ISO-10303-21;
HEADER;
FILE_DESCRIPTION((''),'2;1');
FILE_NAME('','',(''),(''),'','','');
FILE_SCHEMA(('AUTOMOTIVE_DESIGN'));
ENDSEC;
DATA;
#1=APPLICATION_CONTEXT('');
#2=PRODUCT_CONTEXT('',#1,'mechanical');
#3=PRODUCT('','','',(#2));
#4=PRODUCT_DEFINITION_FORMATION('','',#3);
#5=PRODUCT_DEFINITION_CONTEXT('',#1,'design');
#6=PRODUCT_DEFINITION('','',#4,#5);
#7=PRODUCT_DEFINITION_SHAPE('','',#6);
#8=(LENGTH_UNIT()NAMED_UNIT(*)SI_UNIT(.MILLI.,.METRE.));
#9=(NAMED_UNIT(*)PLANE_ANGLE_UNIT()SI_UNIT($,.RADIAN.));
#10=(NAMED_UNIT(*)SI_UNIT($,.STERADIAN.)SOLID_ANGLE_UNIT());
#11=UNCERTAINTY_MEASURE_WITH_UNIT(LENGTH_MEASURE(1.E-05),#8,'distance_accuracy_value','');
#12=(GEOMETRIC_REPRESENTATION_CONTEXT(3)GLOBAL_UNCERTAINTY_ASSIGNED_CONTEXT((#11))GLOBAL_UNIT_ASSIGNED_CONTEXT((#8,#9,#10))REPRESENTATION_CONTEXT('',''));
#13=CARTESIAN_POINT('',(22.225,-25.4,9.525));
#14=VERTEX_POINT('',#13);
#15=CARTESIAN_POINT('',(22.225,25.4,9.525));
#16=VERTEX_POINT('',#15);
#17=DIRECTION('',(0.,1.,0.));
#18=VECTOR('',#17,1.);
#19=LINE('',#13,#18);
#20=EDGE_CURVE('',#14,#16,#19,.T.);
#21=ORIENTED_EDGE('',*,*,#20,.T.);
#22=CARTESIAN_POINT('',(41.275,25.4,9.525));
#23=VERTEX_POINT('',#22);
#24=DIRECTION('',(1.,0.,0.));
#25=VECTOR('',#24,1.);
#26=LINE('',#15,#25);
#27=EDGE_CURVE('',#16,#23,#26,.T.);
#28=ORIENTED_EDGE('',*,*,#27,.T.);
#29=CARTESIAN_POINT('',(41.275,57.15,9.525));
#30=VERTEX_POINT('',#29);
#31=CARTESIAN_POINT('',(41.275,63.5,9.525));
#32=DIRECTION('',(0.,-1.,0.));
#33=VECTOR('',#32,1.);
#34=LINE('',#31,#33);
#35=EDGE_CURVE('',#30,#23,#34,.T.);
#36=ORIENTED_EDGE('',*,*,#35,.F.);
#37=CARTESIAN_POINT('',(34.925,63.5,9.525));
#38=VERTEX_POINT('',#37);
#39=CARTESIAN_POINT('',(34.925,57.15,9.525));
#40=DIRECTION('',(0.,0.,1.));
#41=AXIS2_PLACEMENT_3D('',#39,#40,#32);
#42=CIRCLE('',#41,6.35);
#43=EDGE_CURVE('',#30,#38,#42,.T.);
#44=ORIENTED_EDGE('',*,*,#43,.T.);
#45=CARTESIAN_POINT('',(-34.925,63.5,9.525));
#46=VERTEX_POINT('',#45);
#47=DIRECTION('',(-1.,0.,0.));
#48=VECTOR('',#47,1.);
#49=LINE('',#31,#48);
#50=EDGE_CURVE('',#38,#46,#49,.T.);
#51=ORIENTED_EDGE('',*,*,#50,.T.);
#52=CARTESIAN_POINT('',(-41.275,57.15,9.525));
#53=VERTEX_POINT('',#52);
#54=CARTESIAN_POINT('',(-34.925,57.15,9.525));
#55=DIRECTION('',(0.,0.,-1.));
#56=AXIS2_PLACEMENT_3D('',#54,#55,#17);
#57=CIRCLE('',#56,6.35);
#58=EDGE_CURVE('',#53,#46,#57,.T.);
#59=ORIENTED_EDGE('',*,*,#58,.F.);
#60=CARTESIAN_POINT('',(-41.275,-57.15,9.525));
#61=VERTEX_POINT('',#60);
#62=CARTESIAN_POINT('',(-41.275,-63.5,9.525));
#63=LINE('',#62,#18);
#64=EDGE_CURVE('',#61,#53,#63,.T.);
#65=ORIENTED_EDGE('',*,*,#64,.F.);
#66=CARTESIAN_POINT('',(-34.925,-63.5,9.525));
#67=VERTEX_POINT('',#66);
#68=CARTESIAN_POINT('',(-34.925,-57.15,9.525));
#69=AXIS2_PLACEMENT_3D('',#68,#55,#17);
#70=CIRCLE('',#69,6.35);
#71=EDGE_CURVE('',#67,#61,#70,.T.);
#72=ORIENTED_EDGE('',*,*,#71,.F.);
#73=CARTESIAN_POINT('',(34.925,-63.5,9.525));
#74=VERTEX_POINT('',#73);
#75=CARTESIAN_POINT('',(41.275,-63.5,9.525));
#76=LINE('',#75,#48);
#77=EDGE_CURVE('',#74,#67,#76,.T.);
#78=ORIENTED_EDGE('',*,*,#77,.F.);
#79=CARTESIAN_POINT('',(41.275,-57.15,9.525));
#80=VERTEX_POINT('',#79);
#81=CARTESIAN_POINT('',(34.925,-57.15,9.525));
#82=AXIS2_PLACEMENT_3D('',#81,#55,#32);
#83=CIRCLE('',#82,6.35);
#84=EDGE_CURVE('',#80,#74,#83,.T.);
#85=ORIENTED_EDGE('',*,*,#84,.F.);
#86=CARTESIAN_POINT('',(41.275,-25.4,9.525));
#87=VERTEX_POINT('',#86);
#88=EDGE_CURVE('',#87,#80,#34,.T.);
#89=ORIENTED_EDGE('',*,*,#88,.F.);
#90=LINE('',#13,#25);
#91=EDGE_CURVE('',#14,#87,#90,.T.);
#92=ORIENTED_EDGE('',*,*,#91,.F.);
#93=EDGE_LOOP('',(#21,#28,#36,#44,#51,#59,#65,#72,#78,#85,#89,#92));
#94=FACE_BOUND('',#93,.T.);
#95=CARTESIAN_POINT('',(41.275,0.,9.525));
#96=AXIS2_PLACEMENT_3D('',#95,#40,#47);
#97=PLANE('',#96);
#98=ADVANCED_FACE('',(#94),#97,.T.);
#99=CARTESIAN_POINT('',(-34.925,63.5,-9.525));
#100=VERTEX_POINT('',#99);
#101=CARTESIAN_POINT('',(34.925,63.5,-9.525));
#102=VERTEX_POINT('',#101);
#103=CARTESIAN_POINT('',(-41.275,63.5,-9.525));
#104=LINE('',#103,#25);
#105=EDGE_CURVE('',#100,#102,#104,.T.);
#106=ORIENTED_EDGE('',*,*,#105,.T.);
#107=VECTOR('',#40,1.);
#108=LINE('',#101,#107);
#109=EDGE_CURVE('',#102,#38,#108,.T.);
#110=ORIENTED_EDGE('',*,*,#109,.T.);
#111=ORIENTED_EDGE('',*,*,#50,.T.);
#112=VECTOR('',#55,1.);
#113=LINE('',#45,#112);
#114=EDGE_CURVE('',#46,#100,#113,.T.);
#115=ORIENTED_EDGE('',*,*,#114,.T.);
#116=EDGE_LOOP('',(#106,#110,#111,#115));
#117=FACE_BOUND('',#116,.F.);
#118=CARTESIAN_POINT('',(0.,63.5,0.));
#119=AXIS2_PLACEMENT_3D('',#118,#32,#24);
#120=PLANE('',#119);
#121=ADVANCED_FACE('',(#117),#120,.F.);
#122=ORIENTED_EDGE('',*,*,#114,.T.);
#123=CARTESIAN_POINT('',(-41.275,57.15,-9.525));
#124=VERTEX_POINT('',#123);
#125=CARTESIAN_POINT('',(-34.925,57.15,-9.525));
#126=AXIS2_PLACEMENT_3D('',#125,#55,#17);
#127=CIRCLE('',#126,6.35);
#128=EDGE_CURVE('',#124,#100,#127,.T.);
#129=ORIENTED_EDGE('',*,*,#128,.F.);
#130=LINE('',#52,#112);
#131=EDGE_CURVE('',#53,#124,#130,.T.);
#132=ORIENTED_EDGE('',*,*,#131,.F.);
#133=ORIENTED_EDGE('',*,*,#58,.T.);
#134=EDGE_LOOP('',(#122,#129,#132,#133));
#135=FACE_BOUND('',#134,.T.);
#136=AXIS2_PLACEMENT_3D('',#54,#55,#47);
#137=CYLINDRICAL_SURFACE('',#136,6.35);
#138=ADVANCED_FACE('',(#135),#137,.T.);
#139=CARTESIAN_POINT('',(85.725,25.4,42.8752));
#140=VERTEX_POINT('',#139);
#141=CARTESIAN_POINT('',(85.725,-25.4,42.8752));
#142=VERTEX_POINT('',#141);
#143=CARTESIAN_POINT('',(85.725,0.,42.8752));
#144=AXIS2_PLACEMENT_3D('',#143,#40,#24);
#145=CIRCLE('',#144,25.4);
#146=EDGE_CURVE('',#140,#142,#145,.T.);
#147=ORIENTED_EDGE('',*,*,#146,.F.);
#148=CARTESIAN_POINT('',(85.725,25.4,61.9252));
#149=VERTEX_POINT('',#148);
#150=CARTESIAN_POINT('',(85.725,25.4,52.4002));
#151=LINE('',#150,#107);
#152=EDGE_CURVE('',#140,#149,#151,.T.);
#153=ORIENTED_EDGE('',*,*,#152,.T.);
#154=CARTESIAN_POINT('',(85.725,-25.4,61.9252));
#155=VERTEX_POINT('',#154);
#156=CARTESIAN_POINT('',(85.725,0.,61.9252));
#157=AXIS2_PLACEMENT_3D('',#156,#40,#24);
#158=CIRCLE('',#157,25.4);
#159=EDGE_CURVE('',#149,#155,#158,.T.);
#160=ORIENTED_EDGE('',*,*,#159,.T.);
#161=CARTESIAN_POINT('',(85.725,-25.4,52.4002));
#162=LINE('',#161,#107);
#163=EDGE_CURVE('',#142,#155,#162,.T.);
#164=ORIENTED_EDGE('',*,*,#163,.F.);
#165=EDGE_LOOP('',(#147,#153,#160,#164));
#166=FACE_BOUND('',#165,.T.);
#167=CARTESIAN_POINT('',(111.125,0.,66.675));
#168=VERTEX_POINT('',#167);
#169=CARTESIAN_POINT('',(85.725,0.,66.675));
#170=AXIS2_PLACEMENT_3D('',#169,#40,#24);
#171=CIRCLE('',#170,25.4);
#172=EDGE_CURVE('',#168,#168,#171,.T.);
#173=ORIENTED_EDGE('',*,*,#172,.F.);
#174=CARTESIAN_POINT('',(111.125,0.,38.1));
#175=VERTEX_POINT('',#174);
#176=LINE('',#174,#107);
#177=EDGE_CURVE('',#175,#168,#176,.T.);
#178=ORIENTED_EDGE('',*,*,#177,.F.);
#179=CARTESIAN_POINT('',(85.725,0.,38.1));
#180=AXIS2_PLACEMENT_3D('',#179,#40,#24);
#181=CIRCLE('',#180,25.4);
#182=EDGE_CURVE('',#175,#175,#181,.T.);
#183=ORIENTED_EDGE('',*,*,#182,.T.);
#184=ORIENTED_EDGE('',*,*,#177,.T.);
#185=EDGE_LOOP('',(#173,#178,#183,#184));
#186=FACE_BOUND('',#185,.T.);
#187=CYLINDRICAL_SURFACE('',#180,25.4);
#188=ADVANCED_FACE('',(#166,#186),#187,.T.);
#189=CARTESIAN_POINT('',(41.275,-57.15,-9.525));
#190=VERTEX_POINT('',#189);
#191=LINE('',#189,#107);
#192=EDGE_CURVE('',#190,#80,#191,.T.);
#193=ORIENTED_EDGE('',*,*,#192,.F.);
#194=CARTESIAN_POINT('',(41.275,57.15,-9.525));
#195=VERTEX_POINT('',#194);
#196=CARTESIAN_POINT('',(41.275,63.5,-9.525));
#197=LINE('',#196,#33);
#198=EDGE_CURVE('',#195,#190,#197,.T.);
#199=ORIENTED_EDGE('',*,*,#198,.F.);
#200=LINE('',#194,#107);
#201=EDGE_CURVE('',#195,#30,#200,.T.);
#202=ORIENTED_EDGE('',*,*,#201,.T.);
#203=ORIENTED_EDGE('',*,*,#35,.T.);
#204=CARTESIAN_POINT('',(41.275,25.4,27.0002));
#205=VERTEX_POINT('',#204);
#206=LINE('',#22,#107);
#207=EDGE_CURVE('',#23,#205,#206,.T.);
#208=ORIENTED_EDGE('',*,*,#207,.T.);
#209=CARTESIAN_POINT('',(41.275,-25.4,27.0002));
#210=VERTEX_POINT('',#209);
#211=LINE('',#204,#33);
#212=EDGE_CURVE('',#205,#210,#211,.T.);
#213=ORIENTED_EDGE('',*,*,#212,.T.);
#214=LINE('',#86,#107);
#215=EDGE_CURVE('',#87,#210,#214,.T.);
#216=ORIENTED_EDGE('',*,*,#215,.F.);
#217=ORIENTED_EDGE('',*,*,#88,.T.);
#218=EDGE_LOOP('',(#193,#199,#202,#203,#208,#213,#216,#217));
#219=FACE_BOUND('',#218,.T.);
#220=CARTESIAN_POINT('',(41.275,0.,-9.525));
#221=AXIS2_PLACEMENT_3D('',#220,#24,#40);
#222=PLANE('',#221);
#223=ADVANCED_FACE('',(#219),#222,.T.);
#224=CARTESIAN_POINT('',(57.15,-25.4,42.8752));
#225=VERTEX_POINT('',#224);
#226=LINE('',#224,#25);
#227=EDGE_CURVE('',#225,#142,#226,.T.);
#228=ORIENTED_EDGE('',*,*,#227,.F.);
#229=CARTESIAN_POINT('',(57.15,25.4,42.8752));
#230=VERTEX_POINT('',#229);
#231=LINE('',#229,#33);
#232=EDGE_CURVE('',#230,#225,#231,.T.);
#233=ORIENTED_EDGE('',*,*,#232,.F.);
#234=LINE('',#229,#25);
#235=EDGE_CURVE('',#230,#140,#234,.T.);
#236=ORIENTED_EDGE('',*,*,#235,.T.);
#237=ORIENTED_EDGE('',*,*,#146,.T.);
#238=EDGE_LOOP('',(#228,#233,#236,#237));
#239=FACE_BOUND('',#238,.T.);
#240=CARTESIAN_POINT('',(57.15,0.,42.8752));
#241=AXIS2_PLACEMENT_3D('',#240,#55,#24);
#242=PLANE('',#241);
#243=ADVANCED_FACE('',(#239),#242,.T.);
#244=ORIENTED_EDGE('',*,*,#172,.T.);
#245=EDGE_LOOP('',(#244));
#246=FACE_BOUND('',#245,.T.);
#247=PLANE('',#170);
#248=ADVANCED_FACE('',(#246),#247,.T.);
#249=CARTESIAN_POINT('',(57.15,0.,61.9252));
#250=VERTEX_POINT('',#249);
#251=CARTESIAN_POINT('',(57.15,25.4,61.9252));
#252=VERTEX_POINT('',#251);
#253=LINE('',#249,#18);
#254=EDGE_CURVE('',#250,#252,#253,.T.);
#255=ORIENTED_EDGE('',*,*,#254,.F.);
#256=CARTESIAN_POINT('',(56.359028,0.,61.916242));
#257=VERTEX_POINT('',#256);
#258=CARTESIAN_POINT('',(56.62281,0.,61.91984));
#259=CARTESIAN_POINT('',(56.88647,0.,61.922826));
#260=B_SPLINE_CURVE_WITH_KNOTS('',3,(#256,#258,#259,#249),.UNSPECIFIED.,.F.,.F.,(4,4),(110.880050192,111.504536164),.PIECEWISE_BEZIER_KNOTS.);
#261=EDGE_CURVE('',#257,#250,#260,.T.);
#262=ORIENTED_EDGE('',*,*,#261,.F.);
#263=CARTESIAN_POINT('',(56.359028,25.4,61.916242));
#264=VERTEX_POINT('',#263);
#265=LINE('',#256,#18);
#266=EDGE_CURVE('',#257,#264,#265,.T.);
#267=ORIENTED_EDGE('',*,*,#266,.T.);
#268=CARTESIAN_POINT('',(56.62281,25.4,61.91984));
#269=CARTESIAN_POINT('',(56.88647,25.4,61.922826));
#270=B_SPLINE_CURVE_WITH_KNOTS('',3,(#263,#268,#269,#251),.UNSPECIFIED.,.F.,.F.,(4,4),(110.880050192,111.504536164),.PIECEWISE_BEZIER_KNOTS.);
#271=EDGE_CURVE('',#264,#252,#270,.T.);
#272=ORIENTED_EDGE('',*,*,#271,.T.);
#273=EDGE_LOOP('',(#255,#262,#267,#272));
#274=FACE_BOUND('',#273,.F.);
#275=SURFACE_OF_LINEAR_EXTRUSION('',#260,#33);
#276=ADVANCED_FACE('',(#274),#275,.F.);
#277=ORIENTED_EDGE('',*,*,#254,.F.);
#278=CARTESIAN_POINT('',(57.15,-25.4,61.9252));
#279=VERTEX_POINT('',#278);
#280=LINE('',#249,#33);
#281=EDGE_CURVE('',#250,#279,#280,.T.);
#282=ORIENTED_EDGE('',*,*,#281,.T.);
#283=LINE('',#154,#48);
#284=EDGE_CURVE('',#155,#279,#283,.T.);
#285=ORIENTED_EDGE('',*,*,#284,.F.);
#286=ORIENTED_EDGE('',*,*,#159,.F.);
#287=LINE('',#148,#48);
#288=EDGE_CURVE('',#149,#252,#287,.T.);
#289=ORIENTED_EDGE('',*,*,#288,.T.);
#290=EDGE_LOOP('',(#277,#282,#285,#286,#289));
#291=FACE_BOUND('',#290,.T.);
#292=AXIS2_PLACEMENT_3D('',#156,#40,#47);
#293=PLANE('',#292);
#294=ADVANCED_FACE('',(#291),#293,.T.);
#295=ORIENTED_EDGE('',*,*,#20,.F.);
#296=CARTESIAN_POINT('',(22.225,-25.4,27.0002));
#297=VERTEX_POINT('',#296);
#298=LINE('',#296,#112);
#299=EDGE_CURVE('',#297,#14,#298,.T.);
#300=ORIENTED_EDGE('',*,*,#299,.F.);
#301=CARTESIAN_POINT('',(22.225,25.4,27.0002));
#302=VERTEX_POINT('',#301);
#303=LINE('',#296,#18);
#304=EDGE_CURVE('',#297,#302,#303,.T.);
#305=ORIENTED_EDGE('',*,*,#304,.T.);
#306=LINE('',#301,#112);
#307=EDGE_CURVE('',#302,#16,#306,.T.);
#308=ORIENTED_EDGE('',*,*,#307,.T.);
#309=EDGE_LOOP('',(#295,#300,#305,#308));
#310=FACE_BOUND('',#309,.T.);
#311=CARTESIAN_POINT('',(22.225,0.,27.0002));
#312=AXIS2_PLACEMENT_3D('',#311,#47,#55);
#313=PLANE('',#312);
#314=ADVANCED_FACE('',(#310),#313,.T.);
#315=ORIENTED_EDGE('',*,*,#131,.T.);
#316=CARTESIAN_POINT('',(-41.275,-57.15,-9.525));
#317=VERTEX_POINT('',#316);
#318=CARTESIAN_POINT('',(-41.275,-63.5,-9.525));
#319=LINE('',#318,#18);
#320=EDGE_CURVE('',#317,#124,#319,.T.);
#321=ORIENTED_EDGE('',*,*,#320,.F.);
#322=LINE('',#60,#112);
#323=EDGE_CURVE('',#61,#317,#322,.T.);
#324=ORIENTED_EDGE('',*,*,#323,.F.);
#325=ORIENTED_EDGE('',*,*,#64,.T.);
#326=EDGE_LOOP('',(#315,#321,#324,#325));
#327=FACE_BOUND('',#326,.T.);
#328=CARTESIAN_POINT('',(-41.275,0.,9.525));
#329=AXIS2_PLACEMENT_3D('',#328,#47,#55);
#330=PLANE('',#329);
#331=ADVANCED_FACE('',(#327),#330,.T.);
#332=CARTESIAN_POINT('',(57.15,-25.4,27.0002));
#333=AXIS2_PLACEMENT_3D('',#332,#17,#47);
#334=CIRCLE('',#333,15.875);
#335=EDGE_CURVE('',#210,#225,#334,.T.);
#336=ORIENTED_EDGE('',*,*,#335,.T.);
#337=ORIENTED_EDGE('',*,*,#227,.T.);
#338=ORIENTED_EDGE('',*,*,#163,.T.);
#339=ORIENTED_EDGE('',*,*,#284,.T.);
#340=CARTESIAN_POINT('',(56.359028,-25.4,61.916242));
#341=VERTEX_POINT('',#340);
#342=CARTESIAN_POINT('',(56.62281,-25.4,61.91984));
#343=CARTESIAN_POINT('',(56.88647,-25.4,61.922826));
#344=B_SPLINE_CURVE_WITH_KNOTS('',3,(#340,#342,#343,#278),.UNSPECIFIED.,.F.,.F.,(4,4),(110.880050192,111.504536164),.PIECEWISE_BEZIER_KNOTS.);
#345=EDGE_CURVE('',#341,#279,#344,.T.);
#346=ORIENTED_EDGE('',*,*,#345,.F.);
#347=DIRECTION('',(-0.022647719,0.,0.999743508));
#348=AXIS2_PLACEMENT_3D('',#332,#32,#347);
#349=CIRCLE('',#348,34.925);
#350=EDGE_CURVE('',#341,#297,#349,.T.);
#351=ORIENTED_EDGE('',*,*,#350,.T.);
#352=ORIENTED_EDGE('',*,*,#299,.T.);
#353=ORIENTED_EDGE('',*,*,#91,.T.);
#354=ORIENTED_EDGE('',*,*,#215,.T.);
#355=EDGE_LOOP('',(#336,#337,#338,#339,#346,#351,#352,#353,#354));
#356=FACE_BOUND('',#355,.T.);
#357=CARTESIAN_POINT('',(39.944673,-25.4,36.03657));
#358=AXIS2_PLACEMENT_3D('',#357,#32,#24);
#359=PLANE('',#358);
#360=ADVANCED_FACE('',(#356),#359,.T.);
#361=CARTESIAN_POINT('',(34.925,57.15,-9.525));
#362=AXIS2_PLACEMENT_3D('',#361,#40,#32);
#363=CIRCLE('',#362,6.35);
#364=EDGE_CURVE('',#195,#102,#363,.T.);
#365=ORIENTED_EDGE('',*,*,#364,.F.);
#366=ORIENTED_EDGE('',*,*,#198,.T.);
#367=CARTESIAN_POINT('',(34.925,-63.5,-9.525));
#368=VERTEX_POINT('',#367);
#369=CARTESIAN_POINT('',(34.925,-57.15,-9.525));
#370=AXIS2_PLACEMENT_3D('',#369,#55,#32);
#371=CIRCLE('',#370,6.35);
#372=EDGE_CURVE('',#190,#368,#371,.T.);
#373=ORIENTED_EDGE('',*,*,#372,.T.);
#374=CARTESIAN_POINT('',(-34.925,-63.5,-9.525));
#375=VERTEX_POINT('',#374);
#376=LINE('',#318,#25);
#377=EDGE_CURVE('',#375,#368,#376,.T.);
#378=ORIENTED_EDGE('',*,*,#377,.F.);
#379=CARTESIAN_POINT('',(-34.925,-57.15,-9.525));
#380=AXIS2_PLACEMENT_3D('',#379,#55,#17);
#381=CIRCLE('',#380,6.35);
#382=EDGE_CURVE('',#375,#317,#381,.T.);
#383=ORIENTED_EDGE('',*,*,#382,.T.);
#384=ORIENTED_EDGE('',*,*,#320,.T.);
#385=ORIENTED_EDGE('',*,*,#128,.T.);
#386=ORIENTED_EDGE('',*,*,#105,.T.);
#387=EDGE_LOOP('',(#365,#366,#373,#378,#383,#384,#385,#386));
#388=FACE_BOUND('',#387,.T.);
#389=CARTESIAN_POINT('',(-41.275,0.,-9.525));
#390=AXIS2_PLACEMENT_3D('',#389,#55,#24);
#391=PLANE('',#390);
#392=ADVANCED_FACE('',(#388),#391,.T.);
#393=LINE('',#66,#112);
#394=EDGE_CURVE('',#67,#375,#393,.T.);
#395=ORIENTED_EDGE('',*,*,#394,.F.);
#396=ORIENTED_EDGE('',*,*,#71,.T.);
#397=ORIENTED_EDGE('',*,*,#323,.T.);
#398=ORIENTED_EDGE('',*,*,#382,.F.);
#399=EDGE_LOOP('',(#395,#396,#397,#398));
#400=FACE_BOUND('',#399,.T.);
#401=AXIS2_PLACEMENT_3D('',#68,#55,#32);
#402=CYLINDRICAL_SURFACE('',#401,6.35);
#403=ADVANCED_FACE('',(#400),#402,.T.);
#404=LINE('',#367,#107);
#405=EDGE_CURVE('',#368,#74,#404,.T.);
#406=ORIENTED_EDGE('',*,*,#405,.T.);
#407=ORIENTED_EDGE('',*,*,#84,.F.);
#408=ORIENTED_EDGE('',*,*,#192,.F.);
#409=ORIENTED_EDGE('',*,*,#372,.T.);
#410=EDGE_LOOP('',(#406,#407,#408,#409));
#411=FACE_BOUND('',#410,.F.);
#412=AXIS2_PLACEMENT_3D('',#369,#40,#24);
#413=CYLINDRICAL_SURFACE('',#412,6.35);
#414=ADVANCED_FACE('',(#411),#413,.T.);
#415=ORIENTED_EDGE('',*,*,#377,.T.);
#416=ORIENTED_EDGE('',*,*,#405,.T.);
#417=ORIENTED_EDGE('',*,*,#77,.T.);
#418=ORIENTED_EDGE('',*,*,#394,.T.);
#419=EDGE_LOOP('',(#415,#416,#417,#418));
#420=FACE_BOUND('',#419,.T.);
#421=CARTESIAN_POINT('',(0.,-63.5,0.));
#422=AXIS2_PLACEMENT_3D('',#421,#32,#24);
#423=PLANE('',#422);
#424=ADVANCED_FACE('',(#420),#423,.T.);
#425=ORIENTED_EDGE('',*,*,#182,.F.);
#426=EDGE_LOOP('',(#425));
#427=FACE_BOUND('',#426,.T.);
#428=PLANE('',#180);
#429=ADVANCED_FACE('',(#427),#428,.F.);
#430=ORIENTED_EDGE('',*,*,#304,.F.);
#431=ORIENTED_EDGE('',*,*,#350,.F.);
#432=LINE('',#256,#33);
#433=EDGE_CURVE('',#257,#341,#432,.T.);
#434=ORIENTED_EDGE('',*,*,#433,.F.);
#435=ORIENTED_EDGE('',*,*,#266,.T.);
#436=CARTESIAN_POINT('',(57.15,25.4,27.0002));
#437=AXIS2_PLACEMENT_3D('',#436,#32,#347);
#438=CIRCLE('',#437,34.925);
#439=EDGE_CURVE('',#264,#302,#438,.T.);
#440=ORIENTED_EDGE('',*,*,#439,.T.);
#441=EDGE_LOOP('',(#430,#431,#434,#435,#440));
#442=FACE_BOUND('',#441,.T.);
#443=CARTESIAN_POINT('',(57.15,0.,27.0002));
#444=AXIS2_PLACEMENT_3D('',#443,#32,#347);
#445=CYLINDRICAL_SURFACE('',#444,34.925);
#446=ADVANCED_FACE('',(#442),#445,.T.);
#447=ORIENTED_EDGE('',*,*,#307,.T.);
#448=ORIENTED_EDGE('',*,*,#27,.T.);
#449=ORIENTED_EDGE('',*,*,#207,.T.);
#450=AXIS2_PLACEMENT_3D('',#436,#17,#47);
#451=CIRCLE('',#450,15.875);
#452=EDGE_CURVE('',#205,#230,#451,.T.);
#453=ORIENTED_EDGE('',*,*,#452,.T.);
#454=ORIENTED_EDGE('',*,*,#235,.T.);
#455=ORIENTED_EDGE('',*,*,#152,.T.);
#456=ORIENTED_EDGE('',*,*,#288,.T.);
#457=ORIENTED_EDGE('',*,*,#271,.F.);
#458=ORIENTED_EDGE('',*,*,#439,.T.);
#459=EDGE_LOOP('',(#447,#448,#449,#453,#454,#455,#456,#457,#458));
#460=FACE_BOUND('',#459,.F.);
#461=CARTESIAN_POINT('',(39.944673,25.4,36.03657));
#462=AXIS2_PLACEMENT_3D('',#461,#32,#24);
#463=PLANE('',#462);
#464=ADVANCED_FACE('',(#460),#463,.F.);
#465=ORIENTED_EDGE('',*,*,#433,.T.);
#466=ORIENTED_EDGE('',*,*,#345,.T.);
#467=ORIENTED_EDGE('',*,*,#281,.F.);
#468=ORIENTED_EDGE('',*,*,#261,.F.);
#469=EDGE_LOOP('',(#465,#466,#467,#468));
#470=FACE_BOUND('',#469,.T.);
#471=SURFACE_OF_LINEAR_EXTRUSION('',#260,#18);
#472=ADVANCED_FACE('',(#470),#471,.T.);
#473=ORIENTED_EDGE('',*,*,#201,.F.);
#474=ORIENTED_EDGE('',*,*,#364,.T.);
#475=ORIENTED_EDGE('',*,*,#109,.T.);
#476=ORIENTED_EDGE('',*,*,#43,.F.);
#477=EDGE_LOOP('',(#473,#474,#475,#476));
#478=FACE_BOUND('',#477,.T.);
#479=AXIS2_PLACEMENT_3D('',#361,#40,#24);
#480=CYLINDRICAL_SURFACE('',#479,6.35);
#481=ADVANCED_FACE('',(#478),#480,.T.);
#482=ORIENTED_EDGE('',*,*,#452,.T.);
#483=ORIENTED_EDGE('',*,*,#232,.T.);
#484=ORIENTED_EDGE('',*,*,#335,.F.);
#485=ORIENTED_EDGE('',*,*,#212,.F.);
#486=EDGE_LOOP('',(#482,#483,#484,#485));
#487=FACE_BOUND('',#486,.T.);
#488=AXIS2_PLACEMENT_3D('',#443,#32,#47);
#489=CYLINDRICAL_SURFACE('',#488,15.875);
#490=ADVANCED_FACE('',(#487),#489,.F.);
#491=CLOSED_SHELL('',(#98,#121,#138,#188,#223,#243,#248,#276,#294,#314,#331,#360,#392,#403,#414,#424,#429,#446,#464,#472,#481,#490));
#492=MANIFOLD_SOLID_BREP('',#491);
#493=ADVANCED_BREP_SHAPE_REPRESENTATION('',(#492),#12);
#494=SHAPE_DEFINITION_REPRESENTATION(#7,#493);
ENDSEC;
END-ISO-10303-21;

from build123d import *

# Parameters (mm, degrees)
F1_DEPTH = 63.5
F0_W     = 25.4
F0_H     = 19.05
F2_DEPTH = 25.4
F4_R     = 6.35


with BuildPart() as f1:
    # F0 (on Front) → F1 (new body, symmetric)
    with BuildSketch(Plane.XZ):
        Polygon((-41.275, -9.525), (41.275, -9.525), (41.275, 9.525), (22.225, 9.525), (-41.275, 9.525), align=None)
    extrude(amount=F1_DEPTH, both=True)

    # F0 (on Front) → F2 (join, symmetric)
    with BuildSketch(Plane.XZ):
        with BuildLine():
            Line((22.225, 9.525), (41.275, 9.525))
            Line((41.275, 9.525), (41.275, 27.0002))
            ThreePointArc((41.275, 27.0002), (45.9246798487, 38.2255201513), (57.15, 42.8752))
            Line((57.15, 42.8752), (60.325, 42.8752))
            Line((60.325, 42.8752), (60.325, 61.9252))
            Line((60.325, 61.9252), (57.15, 61.9252))
            add(Edge.make_bspline(
                [(56.3590284094, 61.916242), (56.6228100042, 61.9198399191), (56.8864704365, 61.9228263572), (57.15, 61.9252)],
                knots=[110.8800501916, 110.8800501916, 110.8800501916, 110.8800501916, 111.5045361635, 111.5045361635, 111.5045361635, 111.5045361635], degree=3))
            ThreePointArc((56.3590284094, 61.916242), (32.176210662, 51.414652095), (22.225, 27.0002))
            Line((22.225, 27.0002), (22.225, 9.525))
        make_face()
        with Locations((73.025, 52.4002)):
            Rectangle(F0_W, F0_H)
    extrude(amount=F2_DEPTH, both=True)

    # F0 (on Front) → F3 (revolve)
    with BuildSketch(Plane.XZ):
        Polygon((85.725, 61.9252), (85.725, 42.8752), (85.725, 38.1), (111.125, 38.1), (111.125, 66.675), (85.725, 66.675), align=None)
    revolve(axis=Axis((85.725, 0, 52.3875), (0, 0, 1)))

    # F4
    f4_edges = [f1.edges().sort_by_distance(p)[0] for p in [
        (41.275, -63.5, 0),
        (-41.275, -63.5, 0),
        (-41.275, 63.5, 0),
        (41.275, 63.5, 0),
    ]]
    fillet(f4_edges, radius=F4_R)


solid = f1.part
